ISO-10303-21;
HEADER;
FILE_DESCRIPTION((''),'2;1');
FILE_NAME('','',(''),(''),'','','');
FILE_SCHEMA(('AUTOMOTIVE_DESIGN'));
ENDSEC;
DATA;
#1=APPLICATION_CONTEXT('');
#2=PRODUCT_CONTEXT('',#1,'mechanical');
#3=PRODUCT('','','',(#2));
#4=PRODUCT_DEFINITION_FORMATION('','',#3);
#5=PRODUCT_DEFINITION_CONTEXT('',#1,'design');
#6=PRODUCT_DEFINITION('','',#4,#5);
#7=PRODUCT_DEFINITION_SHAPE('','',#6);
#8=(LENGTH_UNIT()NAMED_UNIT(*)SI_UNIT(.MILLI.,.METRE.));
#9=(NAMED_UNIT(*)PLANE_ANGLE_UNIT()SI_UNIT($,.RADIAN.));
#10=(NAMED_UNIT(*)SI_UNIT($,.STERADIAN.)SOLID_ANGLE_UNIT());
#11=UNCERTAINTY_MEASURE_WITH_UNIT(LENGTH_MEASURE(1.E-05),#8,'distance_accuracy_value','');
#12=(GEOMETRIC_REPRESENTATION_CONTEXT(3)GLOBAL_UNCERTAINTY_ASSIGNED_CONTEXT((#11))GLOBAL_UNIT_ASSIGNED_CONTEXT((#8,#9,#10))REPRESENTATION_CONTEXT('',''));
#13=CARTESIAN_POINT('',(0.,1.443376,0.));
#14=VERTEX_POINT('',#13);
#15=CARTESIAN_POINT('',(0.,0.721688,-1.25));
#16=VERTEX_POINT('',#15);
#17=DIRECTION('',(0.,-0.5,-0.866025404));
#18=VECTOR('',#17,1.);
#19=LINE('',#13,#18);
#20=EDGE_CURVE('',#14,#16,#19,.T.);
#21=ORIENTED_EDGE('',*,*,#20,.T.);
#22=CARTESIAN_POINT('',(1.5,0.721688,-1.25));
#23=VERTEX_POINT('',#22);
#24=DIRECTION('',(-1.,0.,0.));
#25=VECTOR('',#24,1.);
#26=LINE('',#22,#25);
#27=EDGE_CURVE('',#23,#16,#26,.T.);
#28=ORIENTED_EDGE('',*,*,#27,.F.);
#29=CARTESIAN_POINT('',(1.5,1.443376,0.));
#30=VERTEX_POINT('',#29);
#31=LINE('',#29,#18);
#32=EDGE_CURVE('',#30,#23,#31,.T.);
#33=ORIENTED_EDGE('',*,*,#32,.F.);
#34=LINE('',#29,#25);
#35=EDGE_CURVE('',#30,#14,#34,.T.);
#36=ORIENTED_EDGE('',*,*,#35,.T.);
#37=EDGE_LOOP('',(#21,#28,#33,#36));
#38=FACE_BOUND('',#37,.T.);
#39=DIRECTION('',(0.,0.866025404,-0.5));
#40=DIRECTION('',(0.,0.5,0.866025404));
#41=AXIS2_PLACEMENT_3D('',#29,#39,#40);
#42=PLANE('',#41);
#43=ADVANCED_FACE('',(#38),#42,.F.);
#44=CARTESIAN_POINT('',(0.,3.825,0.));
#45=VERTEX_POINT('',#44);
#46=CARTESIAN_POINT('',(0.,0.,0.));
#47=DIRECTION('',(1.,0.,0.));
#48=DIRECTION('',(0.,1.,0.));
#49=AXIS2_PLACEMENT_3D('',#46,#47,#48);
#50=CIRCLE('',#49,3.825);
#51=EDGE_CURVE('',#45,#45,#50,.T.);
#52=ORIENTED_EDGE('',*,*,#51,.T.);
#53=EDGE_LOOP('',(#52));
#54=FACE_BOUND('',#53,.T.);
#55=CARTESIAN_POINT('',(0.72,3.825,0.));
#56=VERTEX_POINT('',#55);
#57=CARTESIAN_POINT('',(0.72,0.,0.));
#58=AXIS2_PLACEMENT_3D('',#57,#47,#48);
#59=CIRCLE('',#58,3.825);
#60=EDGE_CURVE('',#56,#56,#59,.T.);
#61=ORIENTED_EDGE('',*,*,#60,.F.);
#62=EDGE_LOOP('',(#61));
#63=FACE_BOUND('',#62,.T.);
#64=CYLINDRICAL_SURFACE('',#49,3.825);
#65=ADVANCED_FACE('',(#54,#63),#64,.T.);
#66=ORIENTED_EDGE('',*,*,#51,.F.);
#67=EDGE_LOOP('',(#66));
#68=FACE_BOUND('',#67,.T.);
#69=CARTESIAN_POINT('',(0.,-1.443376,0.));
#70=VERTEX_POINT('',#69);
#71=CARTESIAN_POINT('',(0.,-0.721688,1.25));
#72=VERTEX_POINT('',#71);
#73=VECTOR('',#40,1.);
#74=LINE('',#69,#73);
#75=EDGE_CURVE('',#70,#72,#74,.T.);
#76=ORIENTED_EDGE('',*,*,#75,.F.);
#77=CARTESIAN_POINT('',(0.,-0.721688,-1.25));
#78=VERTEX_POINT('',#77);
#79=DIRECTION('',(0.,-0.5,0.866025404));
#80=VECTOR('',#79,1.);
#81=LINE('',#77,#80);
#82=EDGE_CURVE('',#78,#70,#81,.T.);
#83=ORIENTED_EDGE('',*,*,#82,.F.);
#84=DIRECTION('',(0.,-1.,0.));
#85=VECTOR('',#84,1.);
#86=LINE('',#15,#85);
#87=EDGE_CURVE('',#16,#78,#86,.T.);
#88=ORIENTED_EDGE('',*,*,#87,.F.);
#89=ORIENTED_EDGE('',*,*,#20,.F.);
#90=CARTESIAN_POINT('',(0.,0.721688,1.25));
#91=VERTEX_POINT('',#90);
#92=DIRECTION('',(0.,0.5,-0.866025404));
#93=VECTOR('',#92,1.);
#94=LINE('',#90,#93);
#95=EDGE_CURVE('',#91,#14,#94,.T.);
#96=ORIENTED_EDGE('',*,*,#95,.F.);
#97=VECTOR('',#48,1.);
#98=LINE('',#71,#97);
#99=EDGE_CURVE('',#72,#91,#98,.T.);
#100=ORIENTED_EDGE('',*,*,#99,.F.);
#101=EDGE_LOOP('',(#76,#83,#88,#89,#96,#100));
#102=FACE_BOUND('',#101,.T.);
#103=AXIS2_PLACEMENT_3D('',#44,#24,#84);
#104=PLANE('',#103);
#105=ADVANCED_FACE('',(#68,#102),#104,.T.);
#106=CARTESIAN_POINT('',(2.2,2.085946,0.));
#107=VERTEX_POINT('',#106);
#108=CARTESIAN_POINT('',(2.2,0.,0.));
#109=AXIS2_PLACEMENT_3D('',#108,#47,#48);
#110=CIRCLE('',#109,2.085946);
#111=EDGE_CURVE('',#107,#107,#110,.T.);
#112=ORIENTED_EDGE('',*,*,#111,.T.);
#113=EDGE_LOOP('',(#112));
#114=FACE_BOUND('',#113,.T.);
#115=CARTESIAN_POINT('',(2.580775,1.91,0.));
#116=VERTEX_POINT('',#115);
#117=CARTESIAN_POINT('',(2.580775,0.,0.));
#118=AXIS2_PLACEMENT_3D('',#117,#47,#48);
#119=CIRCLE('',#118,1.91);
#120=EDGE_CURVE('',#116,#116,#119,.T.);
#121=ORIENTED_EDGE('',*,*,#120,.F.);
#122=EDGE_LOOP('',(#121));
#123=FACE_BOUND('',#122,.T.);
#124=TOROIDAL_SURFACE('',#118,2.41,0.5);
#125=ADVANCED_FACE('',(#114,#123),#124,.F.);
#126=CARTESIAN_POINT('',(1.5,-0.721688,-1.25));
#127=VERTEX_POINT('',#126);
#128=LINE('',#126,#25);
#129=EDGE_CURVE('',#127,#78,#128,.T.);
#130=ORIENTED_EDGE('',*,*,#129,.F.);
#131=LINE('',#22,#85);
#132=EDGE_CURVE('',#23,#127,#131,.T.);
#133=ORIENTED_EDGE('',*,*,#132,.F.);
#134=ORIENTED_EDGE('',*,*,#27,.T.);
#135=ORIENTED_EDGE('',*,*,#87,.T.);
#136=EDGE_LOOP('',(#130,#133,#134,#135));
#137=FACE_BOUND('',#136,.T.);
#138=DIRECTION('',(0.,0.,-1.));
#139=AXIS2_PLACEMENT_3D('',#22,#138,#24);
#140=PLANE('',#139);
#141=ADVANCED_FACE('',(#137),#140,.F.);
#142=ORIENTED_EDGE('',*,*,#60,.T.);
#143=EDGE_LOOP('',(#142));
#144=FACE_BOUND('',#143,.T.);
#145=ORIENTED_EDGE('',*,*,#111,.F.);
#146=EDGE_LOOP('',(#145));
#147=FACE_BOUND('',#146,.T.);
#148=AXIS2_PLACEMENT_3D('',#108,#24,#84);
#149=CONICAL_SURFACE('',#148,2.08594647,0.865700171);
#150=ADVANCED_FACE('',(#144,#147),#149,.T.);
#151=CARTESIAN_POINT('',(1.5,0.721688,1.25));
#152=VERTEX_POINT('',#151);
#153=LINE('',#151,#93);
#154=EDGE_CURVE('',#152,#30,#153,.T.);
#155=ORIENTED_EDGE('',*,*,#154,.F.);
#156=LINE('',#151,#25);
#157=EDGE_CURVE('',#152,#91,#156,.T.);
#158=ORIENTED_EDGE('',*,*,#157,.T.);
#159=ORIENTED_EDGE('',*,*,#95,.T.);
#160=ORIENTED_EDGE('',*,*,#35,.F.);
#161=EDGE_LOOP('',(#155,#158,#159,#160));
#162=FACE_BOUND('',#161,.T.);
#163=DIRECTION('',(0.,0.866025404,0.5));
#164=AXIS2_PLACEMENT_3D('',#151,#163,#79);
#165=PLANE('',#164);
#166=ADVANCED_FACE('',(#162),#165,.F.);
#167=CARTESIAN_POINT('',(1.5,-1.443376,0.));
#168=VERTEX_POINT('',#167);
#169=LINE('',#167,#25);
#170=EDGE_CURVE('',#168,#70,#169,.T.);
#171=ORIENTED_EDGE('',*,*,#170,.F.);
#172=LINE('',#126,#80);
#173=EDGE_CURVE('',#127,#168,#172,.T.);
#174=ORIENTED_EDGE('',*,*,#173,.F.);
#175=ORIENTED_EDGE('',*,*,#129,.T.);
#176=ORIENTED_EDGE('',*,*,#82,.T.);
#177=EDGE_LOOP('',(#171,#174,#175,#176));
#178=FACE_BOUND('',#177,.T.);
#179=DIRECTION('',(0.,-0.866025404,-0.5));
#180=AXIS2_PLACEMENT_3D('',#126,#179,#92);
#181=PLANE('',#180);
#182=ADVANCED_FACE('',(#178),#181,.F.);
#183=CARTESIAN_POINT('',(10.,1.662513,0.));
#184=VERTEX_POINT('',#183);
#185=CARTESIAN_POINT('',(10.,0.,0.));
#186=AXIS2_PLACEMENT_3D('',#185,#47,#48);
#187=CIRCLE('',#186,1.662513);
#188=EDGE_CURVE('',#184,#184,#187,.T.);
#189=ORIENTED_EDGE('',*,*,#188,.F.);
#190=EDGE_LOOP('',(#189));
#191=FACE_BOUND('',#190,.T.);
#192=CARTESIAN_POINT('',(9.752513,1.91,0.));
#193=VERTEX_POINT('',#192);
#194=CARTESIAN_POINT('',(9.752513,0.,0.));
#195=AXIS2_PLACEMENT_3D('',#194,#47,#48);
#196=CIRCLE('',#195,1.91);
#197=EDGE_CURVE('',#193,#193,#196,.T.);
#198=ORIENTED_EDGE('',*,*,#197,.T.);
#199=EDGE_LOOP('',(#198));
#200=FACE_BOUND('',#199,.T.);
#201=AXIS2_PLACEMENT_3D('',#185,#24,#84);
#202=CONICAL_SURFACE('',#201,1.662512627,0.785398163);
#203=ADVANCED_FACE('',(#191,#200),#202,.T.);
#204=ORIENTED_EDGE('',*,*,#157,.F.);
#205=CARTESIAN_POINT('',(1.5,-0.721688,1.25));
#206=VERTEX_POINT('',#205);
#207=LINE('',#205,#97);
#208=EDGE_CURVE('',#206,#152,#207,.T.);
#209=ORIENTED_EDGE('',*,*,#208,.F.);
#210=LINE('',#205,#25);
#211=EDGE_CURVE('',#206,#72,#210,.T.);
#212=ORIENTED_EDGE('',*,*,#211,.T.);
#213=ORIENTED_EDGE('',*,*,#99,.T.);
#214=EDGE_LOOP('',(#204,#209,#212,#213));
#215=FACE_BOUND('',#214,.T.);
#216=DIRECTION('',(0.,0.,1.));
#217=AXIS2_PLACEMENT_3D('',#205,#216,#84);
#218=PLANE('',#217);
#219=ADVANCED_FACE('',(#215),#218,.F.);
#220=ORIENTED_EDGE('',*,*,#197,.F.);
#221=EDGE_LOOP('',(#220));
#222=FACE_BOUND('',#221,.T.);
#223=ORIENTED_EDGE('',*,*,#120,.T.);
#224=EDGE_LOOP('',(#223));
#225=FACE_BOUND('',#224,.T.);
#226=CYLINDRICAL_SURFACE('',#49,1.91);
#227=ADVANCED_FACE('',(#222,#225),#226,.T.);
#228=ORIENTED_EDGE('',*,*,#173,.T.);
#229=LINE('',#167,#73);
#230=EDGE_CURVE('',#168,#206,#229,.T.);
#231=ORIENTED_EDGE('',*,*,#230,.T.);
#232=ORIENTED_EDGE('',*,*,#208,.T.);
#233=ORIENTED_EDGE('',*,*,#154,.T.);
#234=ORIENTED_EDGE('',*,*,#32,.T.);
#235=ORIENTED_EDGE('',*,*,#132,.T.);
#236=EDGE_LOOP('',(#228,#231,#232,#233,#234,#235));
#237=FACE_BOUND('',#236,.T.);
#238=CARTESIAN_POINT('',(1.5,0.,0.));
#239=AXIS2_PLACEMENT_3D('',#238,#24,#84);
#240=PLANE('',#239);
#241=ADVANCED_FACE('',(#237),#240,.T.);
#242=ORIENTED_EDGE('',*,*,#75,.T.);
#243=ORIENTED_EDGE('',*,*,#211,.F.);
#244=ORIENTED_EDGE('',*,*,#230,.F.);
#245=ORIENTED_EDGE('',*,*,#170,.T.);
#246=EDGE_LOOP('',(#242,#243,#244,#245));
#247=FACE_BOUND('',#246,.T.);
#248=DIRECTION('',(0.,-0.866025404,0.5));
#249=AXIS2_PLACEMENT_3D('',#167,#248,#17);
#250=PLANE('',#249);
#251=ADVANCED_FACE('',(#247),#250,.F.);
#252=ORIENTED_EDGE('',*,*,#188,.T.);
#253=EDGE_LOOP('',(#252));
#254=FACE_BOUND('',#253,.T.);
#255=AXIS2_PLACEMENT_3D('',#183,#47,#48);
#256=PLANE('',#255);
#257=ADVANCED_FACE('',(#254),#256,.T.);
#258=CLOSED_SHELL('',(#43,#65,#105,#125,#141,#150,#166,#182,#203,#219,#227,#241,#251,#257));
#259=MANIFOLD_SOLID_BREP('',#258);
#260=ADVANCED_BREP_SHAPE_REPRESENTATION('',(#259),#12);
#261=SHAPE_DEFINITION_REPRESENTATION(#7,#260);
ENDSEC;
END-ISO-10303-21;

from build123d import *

# Parameters (mm, degrees)
CUT_EXTRUDE1_DEPTH = 1.5


with BuildPart() as part:
    # Sketch1 → Revolve1 (revolve)
    with BuildSketch(Plane.XY):
        with BuildLine():
            Line((2.580774618, 1.91), (9.752512627, 1.91))
            Line((9.752512627, 1.91), (10, 1.662512627))
            Line((10, 1.662512627), (10, 0))
            Line((10, 0), (0, 0))
            Line((0, 0), (0, 3.825))
            Line((0, 3.825), (0.72, 3.825))
            Line((0.72, 3.825), (2.2, 2.08594647))
            ThreePointArc((2.2, 2.08594647), (2.37104475, 1.956113029), (2.580774618, 1.91))
        make_face()
    revolve(axis=Axis((0, 0, 0), (-1, 0, 0)))

    # Sketch2 → Cut-Extrude1 (cut)
    with BuildSketch(Plane.ZY):
        Polygon((1.25, 0.721687836), (0, 1.443375673), (-1.25, 0.721687836), (-1.25, -0.721687836), (0, -1.443375673), (1.25, -0.721687836), align=None)
    extrude(amount=-CUT_EXTRUDE1_DEPTH, mode=Mode.SUBTRACT)


solid = part.part
